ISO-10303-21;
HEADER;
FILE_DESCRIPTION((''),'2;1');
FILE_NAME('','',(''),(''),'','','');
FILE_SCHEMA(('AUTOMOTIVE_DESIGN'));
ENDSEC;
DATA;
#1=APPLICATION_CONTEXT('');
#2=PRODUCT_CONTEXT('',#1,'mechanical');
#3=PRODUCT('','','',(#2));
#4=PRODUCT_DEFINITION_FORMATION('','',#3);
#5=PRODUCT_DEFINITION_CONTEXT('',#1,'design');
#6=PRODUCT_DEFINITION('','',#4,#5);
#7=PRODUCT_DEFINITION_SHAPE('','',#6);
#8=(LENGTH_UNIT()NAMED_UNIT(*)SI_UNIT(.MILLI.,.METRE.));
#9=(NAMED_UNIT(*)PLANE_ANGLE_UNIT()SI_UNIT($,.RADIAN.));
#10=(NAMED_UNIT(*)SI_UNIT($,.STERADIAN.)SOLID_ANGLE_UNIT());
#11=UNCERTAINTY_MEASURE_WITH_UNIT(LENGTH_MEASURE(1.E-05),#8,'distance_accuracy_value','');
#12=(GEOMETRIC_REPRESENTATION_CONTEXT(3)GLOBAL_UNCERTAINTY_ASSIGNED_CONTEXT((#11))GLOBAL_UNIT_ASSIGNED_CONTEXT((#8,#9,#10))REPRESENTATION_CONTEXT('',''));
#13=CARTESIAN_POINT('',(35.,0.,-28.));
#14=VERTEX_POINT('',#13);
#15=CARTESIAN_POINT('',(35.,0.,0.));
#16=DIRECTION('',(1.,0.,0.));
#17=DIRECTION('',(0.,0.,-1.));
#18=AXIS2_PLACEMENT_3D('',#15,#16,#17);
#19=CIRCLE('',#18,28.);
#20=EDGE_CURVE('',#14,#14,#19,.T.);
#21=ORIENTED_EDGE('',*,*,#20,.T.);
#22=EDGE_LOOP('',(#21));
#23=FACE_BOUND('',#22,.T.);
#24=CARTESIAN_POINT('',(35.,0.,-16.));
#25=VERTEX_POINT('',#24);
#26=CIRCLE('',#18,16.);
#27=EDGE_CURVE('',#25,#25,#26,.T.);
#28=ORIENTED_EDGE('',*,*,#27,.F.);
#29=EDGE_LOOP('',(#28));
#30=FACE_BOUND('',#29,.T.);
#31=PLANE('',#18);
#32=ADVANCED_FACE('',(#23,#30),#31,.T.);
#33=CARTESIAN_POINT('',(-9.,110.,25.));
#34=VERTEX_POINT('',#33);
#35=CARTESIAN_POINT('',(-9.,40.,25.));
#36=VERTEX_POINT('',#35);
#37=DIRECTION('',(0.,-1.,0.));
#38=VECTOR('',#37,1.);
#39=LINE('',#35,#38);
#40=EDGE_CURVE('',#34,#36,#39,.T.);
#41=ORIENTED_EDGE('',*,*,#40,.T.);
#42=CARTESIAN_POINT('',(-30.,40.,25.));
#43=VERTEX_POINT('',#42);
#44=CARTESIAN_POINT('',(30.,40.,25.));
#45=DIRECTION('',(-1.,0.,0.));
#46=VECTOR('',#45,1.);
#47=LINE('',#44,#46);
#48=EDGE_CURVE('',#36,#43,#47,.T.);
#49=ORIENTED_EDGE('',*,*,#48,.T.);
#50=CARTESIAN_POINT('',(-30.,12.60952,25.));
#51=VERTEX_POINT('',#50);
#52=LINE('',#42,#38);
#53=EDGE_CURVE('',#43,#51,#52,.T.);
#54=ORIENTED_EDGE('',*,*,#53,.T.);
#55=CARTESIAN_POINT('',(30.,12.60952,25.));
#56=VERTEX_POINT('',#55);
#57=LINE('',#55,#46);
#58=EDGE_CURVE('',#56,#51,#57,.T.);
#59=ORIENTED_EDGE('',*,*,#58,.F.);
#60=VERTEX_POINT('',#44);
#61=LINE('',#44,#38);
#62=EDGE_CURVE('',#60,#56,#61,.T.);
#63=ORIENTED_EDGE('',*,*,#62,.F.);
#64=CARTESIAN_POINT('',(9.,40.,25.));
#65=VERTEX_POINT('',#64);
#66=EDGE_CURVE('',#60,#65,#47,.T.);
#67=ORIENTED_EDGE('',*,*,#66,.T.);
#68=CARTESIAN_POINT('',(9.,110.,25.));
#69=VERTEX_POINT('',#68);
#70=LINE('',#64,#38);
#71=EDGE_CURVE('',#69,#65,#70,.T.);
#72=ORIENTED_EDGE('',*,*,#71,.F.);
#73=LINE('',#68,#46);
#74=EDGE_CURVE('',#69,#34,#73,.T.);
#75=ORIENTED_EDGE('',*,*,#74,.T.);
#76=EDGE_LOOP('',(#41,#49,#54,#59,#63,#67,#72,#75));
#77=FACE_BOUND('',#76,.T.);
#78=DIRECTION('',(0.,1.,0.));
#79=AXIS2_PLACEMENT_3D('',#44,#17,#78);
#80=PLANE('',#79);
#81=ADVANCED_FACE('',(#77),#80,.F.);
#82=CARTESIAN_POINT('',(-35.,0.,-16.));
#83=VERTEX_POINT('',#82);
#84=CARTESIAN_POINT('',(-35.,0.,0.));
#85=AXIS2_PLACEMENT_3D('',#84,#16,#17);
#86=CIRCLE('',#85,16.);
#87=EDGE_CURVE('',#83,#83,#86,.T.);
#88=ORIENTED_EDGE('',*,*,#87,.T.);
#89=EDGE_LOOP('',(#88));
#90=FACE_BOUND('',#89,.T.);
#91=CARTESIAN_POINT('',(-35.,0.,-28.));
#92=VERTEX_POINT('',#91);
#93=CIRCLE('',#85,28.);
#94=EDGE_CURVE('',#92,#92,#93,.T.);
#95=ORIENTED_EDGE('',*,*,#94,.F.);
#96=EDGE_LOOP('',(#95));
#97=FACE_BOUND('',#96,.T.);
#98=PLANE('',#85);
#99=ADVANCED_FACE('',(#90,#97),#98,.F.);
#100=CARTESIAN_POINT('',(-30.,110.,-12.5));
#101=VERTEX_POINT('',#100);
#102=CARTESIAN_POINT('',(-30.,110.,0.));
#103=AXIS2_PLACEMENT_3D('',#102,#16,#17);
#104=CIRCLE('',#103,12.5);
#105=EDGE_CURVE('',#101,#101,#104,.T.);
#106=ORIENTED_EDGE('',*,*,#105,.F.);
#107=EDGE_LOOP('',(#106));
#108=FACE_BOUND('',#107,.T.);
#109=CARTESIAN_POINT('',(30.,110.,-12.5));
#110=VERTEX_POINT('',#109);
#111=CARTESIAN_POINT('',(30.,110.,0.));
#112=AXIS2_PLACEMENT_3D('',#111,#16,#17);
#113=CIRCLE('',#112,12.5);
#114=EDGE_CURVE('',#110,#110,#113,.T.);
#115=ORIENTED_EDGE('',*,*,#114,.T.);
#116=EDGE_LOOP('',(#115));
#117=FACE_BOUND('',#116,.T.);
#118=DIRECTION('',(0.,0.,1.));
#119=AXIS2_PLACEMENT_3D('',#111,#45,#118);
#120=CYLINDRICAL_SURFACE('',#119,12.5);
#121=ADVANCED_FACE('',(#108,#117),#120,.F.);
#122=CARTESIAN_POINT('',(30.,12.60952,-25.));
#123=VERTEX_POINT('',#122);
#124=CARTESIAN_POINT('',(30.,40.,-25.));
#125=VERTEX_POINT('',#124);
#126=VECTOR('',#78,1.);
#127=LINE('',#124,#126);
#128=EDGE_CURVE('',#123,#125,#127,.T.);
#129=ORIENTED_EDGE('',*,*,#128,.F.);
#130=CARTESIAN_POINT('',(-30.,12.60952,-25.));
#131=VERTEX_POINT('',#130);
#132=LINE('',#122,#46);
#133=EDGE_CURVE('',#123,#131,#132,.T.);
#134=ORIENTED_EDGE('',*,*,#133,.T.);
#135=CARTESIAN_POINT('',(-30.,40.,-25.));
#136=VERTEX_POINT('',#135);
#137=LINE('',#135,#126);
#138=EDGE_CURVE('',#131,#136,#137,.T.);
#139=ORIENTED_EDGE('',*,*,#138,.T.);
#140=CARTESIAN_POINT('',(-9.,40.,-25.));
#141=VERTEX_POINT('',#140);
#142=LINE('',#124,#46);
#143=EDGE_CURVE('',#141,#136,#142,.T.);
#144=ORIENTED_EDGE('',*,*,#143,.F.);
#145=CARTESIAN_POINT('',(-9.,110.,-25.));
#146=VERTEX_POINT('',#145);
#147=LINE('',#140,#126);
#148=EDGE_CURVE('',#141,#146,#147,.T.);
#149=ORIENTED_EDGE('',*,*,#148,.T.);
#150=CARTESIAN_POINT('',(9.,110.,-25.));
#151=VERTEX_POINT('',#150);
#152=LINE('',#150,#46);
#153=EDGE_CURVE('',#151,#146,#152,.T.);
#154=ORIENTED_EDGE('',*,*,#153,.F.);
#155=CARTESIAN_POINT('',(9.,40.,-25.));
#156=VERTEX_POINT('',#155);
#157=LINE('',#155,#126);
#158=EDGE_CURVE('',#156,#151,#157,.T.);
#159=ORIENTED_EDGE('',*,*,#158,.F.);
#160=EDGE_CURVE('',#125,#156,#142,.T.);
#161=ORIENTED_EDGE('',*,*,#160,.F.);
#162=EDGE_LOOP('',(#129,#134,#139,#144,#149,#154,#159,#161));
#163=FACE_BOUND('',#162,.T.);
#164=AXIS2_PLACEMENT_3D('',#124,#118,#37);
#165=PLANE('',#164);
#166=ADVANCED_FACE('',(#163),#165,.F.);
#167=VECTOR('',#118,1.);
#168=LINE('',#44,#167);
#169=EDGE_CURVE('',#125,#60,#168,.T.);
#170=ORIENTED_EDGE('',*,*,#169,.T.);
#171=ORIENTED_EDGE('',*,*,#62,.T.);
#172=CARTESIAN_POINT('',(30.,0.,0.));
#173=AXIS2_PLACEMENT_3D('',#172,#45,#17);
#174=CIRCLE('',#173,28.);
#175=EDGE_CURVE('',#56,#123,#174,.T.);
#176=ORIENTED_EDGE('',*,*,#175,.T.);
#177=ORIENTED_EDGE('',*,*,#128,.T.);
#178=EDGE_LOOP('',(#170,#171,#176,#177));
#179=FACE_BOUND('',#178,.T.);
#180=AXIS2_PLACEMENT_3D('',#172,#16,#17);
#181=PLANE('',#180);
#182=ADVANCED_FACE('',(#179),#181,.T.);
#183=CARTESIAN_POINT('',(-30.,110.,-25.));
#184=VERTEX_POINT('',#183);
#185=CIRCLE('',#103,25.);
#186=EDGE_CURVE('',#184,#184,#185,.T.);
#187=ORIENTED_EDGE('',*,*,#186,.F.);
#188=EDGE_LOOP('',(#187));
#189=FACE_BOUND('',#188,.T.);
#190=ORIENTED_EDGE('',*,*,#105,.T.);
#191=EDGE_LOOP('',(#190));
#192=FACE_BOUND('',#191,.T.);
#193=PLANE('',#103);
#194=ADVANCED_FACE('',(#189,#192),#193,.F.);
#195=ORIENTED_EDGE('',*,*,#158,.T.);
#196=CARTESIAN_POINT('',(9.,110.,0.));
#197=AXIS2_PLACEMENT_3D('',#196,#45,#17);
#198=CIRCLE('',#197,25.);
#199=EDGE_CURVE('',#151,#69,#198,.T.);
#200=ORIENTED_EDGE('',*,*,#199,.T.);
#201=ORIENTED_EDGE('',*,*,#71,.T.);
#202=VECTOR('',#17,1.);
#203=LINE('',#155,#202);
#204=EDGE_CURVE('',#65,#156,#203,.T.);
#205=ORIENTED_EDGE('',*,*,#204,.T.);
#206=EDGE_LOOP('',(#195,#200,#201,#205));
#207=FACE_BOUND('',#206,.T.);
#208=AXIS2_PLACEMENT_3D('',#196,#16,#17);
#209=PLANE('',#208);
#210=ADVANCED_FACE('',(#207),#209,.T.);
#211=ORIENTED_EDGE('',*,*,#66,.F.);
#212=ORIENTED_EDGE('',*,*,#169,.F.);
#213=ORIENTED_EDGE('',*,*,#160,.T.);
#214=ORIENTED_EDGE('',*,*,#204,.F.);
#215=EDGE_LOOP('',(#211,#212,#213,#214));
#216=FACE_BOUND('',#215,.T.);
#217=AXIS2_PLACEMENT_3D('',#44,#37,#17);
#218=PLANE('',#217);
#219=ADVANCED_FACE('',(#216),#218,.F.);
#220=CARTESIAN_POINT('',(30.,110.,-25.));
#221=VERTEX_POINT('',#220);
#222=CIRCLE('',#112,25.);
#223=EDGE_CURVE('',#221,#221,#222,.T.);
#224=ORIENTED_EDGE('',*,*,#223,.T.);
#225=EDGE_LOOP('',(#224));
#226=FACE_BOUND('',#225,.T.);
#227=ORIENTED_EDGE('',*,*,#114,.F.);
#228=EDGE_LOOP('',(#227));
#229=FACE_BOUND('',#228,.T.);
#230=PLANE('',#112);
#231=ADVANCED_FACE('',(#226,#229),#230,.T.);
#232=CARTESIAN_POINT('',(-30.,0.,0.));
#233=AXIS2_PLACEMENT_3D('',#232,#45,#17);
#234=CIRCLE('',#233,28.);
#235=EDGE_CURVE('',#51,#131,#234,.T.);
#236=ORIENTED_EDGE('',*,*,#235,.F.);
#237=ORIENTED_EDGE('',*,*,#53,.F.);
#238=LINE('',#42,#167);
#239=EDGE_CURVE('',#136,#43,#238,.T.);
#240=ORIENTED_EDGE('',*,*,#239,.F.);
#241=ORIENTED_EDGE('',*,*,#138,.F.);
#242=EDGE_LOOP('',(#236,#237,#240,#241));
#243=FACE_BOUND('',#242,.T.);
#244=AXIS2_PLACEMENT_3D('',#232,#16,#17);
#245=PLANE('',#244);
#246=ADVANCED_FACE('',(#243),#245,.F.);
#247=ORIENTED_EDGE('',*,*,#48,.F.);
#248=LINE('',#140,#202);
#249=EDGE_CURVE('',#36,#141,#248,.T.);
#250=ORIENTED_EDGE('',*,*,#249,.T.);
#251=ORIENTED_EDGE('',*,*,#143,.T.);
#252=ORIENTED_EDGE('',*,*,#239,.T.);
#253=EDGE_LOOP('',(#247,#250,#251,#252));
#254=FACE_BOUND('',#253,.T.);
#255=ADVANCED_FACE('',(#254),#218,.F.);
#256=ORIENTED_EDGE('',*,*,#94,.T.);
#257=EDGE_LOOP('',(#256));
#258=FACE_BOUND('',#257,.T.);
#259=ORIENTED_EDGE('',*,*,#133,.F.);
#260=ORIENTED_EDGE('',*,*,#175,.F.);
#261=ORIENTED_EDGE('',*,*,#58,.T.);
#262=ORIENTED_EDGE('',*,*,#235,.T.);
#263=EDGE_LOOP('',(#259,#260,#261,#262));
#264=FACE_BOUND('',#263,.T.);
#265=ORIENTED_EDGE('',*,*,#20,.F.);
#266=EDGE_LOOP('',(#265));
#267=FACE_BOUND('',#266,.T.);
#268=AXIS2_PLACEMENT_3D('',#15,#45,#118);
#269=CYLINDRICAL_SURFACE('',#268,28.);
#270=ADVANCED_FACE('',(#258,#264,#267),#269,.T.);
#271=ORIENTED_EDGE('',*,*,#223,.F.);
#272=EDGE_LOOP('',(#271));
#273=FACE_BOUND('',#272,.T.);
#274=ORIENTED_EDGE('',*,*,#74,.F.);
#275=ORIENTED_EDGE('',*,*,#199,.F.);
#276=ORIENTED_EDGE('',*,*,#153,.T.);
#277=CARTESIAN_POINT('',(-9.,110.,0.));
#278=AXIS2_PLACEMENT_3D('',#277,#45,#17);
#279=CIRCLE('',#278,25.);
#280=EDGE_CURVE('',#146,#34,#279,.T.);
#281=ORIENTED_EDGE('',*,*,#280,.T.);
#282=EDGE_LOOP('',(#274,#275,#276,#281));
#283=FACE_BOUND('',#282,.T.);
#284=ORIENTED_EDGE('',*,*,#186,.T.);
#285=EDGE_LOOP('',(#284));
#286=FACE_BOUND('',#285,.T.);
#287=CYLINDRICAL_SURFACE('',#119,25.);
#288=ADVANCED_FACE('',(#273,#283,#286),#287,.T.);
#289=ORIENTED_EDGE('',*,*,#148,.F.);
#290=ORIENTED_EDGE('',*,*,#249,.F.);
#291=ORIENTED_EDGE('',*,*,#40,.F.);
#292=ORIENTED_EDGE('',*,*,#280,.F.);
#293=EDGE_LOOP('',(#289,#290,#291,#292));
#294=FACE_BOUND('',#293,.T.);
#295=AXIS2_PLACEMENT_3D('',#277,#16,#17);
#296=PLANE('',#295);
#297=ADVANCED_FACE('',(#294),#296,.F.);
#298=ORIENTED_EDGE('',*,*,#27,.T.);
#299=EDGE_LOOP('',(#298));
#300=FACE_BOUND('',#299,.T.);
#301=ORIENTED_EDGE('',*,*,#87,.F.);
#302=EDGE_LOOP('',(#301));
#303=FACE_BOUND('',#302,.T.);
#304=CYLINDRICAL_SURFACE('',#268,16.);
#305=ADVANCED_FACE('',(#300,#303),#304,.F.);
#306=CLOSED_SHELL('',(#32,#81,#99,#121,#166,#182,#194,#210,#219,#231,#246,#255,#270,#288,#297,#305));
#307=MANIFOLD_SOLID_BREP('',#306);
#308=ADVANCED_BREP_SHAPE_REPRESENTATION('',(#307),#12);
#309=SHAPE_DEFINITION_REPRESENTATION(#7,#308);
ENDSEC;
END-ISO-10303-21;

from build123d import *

# Parameters (mm, degrees)
SKETCH1_R           = 28
SKETCH1_R_2         = 16
BOSS_EXTRUDE1_DEPTH = 35
BOSS_EXTRUDE3_DEPTH = 30
BOSS_EXTRUDE4_DEPTH = 9
SKETCH5_R           = 25
SKETCH5_R_2         = 12.5
BOSS_EXTRUDE5_DEPTH = 30


with BuildPart() as part:
    # Sketch1 → Boss-Extrude1 (new, symmetric)
    with BuildSketch(Plane(origin=(0, 0, 0), x_dir=(0, 0, -1), z_dir=(1, 0, 0))):
        Circle(SKETCH1_R)
        Circle(SKETCH1_R_2, mode=Mode.SUBTRACT)
    extrude(amount=BOSS_EXTRUDE1_DEPTH, both=True)

    # Sketch2 → Boss-Extrude3 (add, symmetric)
    with BuildSketch(Plane(origin=(0, 0, 0), x_dir=(0, 0, -1), z_dir=(1, 0, 0))):
        with BuildLine():
            Line((-25, 40), (25, 40))
            Line((25, 40), (25, 12.609520213))
            ThreePointArc((25, 12.609520213), (0, 28), (-25, 12.609520213))
            Line((-25, 12.609520213), (-25, 40))
        make_face()
    extrude(amount=BOSS_EXTRUDE3_DEPTH, both=True)

    # Sketch3 → Boss-Extrude4 (add, symmetric)
    with BuildSketch(Plane(origin=(0, 0, 0), x_dir=(0, 0, -1), z_dir=(1, 0, 0))):
        with BuildLine():
            Line((-25, 40), (-25, 110))
            ThreePointArc((-25, 110), (0, 85), (25, 110))
            Line((25, 110), (25, 40))
            Line((25, 40), (-25, 40))
        make_face()
    extrude(amount=BOSS_EXTRUDE4_DEPTH, both=True)

    # Sketch5 → Boss-Extrude5 (add, symmetric)
    with BuildSketch(Plane(origin=(0, 0, 0), x_dir=(0, 0, -1), z_dir=(1, 0, 0))):
        with Locations((0, 110)):
            Circle(SKETCH5_R)
        with Locations((0, 110)):
            Circle(SKETCH5_R_2, mode=Mode.SUBTRACT)
    extrude(amount=BOSS_EXTRUDE5_DEPTH, both=True)


solid = part.part
